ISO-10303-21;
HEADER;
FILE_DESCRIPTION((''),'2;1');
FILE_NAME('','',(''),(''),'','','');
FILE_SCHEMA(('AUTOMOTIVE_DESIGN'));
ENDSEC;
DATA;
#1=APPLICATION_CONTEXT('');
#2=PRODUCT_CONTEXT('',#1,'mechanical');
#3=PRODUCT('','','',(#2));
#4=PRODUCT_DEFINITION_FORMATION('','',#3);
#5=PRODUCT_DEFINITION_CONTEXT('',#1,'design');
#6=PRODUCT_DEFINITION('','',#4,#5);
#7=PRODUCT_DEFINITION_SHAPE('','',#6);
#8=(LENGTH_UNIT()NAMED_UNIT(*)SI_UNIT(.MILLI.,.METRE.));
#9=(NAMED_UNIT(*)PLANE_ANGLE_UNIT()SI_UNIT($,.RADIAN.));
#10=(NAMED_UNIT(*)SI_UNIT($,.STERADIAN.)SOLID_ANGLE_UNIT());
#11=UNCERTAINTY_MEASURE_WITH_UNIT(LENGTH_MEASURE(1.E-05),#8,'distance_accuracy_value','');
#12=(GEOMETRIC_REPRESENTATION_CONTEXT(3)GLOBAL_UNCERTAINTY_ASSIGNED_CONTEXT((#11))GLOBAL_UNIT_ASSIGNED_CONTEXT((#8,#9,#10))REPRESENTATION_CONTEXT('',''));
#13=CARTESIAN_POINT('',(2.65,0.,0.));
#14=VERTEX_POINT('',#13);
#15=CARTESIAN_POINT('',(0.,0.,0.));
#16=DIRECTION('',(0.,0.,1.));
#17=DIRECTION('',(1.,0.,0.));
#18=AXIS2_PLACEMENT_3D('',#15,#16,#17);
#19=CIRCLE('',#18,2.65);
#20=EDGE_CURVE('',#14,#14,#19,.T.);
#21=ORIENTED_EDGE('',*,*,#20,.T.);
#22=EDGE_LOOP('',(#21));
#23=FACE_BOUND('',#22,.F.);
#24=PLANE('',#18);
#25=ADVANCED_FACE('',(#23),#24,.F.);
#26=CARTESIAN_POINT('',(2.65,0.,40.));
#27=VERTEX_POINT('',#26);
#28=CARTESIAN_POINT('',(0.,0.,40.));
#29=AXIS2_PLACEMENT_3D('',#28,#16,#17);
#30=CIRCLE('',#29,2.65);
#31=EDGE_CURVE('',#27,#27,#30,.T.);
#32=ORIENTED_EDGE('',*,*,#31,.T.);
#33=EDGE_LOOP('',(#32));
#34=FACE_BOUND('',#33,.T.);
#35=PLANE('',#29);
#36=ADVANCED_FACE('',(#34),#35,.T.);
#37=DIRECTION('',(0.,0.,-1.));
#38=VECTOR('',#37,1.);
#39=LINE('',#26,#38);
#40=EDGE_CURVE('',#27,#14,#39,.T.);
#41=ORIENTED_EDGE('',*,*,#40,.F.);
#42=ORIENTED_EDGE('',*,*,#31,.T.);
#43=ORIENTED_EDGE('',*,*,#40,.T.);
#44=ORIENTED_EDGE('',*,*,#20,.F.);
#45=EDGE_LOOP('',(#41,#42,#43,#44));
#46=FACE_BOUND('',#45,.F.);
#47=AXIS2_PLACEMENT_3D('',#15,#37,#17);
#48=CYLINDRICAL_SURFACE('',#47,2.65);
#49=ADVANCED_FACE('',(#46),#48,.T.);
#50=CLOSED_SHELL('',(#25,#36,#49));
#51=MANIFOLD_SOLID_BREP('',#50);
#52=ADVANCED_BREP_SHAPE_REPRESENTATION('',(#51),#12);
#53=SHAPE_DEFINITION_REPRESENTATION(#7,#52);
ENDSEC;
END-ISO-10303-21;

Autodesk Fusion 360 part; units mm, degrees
sketch "Sketch1" plane through (0, 0, 0) normal (0, 0, 1) x (1, 0, 0)
  circle A0 centre (0, 0) radius 32
  dimension "d1" = 64
extrude "Extrude1" add sketch "Sketch1" along normal blind 25

Autodesk Fusion 360 part; units mm, degrees
sketch "Sketch1" plane through (0, 0, 0) normal (0, 0, 1) x (1, 0, 0)
  circle A0 centre (0, 0) radius 2.65
  dimension "d1" = 5.3
extrude "Extrude1" add sketch "Sketch1" along normal blind 40
